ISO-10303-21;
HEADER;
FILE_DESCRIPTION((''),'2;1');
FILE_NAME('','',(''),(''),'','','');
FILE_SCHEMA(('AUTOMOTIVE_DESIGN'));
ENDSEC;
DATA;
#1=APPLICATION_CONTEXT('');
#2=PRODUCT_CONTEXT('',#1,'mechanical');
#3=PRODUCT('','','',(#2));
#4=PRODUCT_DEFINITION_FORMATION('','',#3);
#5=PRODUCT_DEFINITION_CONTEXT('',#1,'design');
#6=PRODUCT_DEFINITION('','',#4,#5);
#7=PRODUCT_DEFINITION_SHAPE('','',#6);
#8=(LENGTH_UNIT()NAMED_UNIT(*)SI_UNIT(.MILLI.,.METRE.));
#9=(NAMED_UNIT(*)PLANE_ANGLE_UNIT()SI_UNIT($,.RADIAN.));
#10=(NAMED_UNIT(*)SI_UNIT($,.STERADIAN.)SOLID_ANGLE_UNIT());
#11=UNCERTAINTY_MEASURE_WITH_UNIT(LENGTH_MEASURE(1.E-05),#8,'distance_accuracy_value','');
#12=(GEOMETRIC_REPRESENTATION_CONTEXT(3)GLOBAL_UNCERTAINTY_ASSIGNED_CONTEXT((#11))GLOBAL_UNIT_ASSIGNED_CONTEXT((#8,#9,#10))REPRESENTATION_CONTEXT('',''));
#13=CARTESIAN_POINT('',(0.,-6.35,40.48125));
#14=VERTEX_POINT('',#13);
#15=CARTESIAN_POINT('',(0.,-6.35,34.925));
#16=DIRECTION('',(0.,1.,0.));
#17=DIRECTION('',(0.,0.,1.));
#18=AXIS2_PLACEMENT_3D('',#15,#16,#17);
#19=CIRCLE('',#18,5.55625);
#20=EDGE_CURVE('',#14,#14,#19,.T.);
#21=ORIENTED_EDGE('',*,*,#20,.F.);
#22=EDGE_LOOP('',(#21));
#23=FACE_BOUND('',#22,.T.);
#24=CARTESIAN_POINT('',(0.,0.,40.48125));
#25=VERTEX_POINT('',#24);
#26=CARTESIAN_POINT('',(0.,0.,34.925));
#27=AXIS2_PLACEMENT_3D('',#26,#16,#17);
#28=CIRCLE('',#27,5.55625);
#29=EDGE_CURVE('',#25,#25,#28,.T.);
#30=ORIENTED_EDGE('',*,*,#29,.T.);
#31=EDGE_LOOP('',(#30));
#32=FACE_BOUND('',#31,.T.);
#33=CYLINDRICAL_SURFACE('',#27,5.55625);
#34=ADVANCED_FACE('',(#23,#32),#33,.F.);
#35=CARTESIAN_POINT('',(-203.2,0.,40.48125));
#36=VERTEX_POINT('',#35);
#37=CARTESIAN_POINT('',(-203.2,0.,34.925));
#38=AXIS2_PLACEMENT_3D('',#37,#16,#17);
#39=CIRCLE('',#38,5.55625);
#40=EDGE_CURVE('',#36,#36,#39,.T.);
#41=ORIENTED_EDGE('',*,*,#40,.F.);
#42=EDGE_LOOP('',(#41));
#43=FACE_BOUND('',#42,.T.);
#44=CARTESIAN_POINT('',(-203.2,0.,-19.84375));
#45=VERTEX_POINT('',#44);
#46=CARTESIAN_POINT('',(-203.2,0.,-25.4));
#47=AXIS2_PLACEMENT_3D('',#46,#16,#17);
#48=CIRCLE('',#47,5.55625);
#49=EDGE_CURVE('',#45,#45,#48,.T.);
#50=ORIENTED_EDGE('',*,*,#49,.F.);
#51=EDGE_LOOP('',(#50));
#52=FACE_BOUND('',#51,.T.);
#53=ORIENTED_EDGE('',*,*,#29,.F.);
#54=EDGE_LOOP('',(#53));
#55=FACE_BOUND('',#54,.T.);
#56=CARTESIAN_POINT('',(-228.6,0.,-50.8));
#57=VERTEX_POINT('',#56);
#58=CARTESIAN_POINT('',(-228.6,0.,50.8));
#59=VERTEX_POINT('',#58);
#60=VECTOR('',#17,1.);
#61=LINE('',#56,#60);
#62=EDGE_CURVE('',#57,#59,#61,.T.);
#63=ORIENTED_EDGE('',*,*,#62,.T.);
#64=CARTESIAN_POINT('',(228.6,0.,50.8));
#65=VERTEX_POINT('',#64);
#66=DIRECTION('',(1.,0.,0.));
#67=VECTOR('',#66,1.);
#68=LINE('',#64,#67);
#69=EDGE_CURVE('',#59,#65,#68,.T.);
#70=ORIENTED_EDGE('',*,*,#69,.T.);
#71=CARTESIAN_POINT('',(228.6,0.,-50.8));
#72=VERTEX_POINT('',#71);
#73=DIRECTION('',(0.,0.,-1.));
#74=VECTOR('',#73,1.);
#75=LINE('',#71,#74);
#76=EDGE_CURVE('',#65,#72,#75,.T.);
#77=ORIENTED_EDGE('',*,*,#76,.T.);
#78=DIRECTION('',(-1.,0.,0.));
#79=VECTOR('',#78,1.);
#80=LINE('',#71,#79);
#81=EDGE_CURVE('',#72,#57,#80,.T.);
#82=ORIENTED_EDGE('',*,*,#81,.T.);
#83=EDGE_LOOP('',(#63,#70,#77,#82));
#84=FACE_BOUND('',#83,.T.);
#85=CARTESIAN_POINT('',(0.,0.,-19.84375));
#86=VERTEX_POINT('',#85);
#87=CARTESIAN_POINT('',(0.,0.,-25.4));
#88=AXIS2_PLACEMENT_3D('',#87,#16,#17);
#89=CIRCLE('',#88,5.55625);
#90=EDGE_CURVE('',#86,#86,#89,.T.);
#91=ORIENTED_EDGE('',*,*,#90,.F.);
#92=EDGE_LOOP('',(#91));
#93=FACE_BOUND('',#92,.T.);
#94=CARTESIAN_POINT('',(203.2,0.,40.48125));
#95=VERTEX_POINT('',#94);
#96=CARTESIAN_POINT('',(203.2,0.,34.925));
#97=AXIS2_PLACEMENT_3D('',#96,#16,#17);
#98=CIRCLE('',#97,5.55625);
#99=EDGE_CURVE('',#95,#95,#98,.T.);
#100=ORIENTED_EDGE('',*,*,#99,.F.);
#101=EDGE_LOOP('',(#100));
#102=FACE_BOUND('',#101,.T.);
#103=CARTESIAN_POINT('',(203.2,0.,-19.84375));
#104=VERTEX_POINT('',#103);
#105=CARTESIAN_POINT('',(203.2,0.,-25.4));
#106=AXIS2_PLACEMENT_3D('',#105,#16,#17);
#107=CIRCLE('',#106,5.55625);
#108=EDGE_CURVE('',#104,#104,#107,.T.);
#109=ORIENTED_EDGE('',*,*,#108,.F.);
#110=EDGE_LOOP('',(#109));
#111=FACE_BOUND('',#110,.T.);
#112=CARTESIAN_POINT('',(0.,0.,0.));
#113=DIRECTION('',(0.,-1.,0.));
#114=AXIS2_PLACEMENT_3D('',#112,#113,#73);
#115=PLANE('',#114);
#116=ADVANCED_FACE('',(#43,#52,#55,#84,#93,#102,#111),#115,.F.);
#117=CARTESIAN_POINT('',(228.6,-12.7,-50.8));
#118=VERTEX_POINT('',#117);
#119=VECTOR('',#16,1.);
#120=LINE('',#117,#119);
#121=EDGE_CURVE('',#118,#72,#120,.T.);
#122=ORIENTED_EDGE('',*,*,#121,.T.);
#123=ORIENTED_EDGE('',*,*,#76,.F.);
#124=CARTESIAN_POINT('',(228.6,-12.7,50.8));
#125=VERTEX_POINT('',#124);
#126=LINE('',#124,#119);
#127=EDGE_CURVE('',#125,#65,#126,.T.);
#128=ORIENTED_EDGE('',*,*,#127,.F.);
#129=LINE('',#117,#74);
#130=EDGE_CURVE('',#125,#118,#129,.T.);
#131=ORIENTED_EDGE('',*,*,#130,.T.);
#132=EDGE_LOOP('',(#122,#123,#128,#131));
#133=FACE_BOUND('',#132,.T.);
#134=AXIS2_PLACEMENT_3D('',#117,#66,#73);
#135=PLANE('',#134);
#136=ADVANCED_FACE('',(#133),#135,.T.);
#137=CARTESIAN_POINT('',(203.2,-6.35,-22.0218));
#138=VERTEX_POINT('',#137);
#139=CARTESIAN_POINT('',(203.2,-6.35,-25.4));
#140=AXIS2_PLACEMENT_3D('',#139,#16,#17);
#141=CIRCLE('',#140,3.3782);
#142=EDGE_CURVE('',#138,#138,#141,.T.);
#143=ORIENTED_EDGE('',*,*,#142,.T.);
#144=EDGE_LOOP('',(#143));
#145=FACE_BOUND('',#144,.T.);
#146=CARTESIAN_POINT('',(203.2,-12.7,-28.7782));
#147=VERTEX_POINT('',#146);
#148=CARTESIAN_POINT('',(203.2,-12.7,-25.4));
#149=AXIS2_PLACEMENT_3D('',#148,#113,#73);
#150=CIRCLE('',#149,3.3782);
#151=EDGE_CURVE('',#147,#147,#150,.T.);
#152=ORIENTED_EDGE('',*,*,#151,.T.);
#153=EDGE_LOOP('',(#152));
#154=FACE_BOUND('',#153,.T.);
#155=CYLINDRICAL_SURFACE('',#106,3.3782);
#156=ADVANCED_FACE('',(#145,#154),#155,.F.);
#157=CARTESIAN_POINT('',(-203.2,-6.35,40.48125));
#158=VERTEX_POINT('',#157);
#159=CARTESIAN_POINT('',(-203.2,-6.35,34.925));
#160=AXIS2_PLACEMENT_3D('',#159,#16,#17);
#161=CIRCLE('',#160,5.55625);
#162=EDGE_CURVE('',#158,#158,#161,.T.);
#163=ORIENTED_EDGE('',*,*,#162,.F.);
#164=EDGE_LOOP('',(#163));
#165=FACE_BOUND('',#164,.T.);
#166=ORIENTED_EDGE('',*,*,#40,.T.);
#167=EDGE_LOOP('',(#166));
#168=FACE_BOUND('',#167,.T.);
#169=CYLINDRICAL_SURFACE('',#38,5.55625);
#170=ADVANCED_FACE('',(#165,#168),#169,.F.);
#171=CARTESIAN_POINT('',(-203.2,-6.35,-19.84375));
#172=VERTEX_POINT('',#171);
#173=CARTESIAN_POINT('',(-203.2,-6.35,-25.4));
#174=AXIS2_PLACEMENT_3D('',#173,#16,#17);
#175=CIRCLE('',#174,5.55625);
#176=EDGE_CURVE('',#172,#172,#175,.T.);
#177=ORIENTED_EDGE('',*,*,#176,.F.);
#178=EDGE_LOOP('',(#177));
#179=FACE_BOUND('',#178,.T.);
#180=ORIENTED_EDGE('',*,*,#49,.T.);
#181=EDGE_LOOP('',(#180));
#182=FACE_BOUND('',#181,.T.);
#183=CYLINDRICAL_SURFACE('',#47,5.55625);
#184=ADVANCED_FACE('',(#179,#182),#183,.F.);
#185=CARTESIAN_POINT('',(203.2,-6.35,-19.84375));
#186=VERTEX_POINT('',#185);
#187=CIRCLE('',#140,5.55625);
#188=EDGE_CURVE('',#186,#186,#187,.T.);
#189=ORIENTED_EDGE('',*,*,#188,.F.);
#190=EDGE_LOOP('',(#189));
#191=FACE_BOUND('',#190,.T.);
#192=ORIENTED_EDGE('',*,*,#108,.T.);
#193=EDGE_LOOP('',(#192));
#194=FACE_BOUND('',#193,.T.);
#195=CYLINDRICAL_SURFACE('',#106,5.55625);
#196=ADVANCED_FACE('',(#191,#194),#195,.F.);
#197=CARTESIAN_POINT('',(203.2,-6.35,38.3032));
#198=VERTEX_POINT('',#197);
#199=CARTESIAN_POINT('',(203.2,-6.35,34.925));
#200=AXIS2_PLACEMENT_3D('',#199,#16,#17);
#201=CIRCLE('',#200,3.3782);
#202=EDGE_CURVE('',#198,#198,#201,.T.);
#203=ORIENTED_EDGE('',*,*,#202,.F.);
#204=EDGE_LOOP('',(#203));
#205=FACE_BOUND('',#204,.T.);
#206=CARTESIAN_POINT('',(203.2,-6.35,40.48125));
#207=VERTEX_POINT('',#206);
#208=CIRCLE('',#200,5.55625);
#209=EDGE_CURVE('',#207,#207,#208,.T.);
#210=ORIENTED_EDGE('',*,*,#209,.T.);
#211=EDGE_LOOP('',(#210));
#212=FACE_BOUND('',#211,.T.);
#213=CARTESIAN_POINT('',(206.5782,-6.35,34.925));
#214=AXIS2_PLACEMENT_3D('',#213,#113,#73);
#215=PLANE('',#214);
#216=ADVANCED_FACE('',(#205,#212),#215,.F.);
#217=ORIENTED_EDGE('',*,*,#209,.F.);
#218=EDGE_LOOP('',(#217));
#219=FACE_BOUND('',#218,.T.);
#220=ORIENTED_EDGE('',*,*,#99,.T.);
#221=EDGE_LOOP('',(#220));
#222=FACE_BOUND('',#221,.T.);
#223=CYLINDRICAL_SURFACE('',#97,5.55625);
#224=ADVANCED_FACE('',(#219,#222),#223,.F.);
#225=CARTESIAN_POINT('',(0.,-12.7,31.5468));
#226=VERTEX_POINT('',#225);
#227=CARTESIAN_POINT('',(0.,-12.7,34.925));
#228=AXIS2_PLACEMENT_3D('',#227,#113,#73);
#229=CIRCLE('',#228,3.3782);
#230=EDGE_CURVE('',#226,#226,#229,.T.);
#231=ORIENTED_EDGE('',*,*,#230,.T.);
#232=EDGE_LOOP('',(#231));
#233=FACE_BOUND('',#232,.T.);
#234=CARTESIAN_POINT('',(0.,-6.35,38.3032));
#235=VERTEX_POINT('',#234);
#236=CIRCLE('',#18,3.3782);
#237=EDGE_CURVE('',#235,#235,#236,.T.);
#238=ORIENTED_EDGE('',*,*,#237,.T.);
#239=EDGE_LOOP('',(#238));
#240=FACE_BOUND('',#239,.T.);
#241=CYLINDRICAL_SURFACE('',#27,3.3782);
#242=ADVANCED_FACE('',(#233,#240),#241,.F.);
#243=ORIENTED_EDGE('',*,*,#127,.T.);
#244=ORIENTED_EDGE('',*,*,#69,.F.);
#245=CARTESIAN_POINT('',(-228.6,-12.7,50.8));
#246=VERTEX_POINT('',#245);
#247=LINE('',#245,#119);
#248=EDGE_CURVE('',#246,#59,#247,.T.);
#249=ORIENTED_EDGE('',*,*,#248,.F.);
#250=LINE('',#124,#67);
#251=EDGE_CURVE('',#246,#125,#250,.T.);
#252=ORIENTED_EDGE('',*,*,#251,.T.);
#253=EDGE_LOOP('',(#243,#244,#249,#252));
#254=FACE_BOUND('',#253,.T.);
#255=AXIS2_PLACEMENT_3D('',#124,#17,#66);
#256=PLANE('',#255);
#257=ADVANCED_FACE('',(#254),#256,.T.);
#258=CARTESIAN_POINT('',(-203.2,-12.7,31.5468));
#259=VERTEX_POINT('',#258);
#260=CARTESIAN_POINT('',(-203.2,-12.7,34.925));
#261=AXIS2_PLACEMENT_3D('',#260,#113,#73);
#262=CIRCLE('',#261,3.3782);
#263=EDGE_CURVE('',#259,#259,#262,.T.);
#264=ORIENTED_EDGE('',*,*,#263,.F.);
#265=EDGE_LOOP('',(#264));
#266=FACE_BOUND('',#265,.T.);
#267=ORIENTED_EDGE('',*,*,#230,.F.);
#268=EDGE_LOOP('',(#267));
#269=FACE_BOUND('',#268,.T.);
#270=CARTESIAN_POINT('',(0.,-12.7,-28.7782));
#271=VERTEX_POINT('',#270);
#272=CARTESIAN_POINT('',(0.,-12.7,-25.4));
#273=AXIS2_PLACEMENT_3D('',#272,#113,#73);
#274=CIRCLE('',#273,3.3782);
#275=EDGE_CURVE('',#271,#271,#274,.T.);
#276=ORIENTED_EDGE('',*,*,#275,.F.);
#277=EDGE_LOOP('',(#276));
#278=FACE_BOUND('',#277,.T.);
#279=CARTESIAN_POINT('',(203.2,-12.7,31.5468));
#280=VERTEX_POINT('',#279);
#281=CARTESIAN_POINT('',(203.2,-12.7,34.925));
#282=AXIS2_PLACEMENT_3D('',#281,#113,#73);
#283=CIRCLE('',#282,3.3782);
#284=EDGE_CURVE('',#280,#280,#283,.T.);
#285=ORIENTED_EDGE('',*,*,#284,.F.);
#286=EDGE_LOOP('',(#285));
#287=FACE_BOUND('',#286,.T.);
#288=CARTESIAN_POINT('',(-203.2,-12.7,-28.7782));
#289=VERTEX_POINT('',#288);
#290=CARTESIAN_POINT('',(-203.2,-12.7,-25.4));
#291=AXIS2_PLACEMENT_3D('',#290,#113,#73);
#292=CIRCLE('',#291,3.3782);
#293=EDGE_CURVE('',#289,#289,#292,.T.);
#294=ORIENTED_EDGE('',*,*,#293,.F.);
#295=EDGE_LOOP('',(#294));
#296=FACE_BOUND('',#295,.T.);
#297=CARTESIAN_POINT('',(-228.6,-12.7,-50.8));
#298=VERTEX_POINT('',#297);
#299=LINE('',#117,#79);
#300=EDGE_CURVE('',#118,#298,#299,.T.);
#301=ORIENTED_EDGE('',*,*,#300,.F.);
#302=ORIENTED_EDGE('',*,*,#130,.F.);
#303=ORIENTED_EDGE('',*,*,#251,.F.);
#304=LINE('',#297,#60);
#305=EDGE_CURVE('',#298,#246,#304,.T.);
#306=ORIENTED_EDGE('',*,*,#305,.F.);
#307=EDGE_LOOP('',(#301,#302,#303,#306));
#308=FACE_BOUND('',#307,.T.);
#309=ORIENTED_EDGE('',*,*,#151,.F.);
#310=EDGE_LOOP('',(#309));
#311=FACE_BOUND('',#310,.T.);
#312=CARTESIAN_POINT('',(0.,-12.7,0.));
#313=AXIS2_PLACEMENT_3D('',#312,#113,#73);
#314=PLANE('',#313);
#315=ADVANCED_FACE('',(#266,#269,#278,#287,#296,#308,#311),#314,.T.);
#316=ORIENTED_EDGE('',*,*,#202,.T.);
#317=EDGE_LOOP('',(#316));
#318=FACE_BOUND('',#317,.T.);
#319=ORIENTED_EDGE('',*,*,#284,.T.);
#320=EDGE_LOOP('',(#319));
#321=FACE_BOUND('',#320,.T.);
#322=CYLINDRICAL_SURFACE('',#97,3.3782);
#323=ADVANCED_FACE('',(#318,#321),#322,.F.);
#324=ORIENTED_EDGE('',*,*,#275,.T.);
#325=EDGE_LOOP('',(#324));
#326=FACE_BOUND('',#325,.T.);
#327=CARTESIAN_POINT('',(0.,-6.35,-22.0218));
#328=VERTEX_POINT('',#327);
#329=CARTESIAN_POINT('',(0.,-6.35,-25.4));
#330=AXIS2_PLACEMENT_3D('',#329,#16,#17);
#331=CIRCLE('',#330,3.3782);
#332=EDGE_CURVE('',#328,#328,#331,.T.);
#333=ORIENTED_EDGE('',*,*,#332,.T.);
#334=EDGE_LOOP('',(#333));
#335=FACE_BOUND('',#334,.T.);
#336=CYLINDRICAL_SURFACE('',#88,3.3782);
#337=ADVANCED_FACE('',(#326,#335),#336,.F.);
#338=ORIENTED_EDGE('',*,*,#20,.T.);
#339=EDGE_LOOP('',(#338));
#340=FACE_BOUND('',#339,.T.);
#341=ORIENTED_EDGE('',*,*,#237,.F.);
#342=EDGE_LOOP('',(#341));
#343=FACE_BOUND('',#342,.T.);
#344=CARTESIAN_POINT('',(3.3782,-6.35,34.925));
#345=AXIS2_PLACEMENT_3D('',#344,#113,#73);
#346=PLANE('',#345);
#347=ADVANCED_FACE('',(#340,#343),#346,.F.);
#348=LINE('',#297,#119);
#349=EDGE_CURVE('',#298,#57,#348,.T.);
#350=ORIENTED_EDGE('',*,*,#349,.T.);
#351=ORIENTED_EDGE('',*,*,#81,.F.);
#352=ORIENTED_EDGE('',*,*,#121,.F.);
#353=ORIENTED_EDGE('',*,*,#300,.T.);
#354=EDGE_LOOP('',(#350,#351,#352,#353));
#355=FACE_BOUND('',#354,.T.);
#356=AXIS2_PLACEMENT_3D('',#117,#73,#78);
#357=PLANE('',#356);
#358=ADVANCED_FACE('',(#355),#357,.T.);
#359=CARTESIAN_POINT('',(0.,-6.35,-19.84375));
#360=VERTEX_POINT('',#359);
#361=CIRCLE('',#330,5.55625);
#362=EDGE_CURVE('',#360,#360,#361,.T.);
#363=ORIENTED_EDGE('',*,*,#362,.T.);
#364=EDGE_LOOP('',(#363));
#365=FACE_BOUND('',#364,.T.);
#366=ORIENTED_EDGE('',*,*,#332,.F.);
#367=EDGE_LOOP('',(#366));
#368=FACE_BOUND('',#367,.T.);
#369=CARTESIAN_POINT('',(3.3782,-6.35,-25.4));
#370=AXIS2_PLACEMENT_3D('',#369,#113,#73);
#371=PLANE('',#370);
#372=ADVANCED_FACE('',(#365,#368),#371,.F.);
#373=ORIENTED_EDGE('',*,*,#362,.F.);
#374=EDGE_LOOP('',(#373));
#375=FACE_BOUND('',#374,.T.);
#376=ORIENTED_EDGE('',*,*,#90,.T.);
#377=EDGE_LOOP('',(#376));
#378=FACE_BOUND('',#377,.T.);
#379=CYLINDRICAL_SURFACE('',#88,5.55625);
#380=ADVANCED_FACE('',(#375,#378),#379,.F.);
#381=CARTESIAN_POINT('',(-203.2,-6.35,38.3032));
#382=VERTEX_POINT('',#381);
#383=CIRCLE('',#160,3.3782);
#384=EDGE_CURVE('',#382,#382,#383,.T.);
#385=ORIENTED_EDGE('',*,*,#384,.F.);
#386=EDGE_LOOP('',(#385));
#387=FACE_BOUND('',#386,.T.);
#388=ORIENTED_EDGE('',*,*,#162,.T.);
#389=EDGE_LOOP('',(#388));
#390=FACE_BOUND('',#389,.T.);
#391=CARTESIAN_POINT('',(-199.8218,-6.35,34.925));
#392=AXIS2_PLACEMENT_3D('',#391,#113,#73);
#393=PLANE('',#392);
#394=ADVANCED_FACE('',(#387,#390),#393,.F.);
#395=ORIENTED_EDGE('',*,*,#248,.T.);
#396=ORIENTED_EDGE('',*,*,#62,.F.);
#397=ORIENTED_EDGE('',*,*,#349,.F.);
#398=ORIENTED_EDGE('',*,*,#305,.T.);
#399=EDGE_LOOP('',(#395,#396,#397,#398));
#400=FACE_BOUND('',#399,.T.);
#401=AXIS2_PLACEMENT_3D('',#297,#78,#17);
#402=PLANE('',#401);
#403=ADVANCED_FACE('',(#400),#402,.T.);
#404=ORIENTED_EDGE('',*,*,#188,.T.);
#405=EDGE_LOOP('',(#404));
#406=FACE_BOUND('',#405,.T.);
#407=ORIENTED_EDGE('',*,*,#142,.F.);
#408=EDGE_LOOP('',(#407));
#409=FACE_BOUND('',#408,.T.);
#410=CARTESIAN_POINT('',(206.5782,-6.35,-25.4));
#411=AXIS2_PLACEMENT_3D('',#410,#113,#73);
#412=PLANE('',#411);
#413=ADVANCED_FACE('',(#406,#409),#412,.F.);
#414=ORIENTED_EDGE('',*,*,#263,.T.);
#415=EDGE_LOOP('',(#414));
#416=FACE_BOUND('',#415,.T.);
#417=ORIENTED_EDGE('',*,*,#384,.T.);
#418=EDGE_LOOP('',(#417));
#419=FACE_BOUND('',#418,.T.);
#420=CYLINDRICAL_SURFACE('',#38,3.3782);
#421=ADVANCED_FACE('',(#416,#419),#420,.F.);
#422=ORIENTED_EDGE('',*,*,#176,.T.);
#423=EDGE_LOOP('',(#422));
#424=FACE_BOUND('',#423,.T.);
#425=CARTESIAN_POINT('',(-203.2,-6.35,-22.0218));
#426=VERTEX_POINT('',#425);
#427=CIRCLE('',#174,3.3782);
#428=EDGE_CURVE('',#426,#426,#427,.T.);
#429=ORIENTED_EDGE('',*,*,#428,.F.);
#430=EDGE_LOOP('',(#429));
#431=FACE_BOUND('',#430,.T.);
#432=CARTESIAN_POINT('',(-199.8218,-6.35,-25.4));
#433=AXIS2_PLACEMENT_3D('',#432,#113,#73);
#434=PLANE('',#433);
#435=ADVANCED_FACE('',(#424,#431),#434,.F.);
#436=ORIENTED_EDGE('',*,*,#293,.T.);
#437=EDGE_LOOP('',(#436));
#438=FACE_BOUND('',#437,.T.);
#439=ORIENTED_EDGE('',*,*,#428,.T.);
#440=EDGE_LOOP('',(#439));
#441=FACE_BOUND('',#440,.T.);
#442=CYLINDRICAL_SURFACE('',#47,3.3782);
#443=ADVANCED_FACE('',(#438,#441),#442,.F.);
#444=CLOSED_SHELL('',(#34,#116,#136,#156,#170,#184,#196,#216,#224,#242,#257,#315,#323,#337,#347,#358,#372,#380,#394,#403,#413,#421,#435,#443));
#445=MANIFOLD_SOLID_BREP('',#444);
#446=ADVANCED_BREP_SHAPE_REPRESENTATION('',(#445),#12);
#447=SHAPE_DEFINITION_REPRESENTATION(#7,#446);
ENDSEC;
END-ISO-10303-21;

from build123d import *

# Parameters (mm, degrees)
SKETCH1_W                                        = 457.2
SKETCH1_H                                        = 101.6
BOSS_EXTRUDE1_DEPTH                              = 12.7
CBORE_FOR_1_4_SOCKET_HEAD_CAP_SCREW1_D           = 6.7564
CBORE_FOR_1_4_SOCKET_HEAD_CAP_SCREW1_DEPTH       = 14.480172657
CBORE_FOR_1_4_SOCKET_HEAD_CAP_SCREW1_CBORE_D     = 11.1125
CBORE_FOR_1_4_SOCKET_HEAD_CAP_SCREW1_CBORE_DEPTH = 6.35
CBORE_FOR_1_4_SOCKET_HEAD_CAP_SCREW1_TIP         = 2.029827343


with BuildPart() as part:
    # Sketch1 → Boss-Extrude1 (new body)
    with BuildSketch(Plane(origin=(0, 0, 0), x_dir=(1, 0, 0), z_dir=(0, 1, 0))):
        Rectangle(SKETCH1_W, SKETCH1_H)
    extrude(amount=-BOSS_EXTRUDE1_DEPTH)

    # CBORE for 1/4 Socket Head Cap Screw1
    with Locations(Plane(origin=(0, 0, 0), x_dir=(1, 0, 0), z_dir=(0, 1, 0))):
        with Locations((-203.2, 25.4), (-203.2, -34.925), (0, -34.925), (0, 25.4), (203.2, 25.4), (203.2, -34.925)):
            CounterBoreHole(CBORE_FOR_1_4_SOCKET_HEAD_CAP_SCREW1_D / 2, CBORE_FOR_1_4_SOCKET_HEAD_CAP_SCREW1_CBORE_D / 2, CBORE_FOR_1_4_SOCKET_HEAD_CAP_SCREW1_CBORE_DEPTH, depth=CBORE_FOR_1_4_SOCKET_HEAD_CAP_SCREW1_DEPTH)
            with Locations((0, 0, -(CBORE_FOR_1_4_SOCKET_HEAD_CAP_SCREW1_DEPTH + CBORE_FOR_1_4_SOCKET_HEAD_CAP_SCREW1_TIP / 2))):  # 118° drill point
                Cone(0, CBORE_FOR_1_4_SOCKET_HEAD_CAP_SCREW1_D / 2, CBORE_FOR_1_4_SOCKET_HEAD_CAP_SCREW1_TIP, mode=Mode.SUBTRACT)


solid = part.part
